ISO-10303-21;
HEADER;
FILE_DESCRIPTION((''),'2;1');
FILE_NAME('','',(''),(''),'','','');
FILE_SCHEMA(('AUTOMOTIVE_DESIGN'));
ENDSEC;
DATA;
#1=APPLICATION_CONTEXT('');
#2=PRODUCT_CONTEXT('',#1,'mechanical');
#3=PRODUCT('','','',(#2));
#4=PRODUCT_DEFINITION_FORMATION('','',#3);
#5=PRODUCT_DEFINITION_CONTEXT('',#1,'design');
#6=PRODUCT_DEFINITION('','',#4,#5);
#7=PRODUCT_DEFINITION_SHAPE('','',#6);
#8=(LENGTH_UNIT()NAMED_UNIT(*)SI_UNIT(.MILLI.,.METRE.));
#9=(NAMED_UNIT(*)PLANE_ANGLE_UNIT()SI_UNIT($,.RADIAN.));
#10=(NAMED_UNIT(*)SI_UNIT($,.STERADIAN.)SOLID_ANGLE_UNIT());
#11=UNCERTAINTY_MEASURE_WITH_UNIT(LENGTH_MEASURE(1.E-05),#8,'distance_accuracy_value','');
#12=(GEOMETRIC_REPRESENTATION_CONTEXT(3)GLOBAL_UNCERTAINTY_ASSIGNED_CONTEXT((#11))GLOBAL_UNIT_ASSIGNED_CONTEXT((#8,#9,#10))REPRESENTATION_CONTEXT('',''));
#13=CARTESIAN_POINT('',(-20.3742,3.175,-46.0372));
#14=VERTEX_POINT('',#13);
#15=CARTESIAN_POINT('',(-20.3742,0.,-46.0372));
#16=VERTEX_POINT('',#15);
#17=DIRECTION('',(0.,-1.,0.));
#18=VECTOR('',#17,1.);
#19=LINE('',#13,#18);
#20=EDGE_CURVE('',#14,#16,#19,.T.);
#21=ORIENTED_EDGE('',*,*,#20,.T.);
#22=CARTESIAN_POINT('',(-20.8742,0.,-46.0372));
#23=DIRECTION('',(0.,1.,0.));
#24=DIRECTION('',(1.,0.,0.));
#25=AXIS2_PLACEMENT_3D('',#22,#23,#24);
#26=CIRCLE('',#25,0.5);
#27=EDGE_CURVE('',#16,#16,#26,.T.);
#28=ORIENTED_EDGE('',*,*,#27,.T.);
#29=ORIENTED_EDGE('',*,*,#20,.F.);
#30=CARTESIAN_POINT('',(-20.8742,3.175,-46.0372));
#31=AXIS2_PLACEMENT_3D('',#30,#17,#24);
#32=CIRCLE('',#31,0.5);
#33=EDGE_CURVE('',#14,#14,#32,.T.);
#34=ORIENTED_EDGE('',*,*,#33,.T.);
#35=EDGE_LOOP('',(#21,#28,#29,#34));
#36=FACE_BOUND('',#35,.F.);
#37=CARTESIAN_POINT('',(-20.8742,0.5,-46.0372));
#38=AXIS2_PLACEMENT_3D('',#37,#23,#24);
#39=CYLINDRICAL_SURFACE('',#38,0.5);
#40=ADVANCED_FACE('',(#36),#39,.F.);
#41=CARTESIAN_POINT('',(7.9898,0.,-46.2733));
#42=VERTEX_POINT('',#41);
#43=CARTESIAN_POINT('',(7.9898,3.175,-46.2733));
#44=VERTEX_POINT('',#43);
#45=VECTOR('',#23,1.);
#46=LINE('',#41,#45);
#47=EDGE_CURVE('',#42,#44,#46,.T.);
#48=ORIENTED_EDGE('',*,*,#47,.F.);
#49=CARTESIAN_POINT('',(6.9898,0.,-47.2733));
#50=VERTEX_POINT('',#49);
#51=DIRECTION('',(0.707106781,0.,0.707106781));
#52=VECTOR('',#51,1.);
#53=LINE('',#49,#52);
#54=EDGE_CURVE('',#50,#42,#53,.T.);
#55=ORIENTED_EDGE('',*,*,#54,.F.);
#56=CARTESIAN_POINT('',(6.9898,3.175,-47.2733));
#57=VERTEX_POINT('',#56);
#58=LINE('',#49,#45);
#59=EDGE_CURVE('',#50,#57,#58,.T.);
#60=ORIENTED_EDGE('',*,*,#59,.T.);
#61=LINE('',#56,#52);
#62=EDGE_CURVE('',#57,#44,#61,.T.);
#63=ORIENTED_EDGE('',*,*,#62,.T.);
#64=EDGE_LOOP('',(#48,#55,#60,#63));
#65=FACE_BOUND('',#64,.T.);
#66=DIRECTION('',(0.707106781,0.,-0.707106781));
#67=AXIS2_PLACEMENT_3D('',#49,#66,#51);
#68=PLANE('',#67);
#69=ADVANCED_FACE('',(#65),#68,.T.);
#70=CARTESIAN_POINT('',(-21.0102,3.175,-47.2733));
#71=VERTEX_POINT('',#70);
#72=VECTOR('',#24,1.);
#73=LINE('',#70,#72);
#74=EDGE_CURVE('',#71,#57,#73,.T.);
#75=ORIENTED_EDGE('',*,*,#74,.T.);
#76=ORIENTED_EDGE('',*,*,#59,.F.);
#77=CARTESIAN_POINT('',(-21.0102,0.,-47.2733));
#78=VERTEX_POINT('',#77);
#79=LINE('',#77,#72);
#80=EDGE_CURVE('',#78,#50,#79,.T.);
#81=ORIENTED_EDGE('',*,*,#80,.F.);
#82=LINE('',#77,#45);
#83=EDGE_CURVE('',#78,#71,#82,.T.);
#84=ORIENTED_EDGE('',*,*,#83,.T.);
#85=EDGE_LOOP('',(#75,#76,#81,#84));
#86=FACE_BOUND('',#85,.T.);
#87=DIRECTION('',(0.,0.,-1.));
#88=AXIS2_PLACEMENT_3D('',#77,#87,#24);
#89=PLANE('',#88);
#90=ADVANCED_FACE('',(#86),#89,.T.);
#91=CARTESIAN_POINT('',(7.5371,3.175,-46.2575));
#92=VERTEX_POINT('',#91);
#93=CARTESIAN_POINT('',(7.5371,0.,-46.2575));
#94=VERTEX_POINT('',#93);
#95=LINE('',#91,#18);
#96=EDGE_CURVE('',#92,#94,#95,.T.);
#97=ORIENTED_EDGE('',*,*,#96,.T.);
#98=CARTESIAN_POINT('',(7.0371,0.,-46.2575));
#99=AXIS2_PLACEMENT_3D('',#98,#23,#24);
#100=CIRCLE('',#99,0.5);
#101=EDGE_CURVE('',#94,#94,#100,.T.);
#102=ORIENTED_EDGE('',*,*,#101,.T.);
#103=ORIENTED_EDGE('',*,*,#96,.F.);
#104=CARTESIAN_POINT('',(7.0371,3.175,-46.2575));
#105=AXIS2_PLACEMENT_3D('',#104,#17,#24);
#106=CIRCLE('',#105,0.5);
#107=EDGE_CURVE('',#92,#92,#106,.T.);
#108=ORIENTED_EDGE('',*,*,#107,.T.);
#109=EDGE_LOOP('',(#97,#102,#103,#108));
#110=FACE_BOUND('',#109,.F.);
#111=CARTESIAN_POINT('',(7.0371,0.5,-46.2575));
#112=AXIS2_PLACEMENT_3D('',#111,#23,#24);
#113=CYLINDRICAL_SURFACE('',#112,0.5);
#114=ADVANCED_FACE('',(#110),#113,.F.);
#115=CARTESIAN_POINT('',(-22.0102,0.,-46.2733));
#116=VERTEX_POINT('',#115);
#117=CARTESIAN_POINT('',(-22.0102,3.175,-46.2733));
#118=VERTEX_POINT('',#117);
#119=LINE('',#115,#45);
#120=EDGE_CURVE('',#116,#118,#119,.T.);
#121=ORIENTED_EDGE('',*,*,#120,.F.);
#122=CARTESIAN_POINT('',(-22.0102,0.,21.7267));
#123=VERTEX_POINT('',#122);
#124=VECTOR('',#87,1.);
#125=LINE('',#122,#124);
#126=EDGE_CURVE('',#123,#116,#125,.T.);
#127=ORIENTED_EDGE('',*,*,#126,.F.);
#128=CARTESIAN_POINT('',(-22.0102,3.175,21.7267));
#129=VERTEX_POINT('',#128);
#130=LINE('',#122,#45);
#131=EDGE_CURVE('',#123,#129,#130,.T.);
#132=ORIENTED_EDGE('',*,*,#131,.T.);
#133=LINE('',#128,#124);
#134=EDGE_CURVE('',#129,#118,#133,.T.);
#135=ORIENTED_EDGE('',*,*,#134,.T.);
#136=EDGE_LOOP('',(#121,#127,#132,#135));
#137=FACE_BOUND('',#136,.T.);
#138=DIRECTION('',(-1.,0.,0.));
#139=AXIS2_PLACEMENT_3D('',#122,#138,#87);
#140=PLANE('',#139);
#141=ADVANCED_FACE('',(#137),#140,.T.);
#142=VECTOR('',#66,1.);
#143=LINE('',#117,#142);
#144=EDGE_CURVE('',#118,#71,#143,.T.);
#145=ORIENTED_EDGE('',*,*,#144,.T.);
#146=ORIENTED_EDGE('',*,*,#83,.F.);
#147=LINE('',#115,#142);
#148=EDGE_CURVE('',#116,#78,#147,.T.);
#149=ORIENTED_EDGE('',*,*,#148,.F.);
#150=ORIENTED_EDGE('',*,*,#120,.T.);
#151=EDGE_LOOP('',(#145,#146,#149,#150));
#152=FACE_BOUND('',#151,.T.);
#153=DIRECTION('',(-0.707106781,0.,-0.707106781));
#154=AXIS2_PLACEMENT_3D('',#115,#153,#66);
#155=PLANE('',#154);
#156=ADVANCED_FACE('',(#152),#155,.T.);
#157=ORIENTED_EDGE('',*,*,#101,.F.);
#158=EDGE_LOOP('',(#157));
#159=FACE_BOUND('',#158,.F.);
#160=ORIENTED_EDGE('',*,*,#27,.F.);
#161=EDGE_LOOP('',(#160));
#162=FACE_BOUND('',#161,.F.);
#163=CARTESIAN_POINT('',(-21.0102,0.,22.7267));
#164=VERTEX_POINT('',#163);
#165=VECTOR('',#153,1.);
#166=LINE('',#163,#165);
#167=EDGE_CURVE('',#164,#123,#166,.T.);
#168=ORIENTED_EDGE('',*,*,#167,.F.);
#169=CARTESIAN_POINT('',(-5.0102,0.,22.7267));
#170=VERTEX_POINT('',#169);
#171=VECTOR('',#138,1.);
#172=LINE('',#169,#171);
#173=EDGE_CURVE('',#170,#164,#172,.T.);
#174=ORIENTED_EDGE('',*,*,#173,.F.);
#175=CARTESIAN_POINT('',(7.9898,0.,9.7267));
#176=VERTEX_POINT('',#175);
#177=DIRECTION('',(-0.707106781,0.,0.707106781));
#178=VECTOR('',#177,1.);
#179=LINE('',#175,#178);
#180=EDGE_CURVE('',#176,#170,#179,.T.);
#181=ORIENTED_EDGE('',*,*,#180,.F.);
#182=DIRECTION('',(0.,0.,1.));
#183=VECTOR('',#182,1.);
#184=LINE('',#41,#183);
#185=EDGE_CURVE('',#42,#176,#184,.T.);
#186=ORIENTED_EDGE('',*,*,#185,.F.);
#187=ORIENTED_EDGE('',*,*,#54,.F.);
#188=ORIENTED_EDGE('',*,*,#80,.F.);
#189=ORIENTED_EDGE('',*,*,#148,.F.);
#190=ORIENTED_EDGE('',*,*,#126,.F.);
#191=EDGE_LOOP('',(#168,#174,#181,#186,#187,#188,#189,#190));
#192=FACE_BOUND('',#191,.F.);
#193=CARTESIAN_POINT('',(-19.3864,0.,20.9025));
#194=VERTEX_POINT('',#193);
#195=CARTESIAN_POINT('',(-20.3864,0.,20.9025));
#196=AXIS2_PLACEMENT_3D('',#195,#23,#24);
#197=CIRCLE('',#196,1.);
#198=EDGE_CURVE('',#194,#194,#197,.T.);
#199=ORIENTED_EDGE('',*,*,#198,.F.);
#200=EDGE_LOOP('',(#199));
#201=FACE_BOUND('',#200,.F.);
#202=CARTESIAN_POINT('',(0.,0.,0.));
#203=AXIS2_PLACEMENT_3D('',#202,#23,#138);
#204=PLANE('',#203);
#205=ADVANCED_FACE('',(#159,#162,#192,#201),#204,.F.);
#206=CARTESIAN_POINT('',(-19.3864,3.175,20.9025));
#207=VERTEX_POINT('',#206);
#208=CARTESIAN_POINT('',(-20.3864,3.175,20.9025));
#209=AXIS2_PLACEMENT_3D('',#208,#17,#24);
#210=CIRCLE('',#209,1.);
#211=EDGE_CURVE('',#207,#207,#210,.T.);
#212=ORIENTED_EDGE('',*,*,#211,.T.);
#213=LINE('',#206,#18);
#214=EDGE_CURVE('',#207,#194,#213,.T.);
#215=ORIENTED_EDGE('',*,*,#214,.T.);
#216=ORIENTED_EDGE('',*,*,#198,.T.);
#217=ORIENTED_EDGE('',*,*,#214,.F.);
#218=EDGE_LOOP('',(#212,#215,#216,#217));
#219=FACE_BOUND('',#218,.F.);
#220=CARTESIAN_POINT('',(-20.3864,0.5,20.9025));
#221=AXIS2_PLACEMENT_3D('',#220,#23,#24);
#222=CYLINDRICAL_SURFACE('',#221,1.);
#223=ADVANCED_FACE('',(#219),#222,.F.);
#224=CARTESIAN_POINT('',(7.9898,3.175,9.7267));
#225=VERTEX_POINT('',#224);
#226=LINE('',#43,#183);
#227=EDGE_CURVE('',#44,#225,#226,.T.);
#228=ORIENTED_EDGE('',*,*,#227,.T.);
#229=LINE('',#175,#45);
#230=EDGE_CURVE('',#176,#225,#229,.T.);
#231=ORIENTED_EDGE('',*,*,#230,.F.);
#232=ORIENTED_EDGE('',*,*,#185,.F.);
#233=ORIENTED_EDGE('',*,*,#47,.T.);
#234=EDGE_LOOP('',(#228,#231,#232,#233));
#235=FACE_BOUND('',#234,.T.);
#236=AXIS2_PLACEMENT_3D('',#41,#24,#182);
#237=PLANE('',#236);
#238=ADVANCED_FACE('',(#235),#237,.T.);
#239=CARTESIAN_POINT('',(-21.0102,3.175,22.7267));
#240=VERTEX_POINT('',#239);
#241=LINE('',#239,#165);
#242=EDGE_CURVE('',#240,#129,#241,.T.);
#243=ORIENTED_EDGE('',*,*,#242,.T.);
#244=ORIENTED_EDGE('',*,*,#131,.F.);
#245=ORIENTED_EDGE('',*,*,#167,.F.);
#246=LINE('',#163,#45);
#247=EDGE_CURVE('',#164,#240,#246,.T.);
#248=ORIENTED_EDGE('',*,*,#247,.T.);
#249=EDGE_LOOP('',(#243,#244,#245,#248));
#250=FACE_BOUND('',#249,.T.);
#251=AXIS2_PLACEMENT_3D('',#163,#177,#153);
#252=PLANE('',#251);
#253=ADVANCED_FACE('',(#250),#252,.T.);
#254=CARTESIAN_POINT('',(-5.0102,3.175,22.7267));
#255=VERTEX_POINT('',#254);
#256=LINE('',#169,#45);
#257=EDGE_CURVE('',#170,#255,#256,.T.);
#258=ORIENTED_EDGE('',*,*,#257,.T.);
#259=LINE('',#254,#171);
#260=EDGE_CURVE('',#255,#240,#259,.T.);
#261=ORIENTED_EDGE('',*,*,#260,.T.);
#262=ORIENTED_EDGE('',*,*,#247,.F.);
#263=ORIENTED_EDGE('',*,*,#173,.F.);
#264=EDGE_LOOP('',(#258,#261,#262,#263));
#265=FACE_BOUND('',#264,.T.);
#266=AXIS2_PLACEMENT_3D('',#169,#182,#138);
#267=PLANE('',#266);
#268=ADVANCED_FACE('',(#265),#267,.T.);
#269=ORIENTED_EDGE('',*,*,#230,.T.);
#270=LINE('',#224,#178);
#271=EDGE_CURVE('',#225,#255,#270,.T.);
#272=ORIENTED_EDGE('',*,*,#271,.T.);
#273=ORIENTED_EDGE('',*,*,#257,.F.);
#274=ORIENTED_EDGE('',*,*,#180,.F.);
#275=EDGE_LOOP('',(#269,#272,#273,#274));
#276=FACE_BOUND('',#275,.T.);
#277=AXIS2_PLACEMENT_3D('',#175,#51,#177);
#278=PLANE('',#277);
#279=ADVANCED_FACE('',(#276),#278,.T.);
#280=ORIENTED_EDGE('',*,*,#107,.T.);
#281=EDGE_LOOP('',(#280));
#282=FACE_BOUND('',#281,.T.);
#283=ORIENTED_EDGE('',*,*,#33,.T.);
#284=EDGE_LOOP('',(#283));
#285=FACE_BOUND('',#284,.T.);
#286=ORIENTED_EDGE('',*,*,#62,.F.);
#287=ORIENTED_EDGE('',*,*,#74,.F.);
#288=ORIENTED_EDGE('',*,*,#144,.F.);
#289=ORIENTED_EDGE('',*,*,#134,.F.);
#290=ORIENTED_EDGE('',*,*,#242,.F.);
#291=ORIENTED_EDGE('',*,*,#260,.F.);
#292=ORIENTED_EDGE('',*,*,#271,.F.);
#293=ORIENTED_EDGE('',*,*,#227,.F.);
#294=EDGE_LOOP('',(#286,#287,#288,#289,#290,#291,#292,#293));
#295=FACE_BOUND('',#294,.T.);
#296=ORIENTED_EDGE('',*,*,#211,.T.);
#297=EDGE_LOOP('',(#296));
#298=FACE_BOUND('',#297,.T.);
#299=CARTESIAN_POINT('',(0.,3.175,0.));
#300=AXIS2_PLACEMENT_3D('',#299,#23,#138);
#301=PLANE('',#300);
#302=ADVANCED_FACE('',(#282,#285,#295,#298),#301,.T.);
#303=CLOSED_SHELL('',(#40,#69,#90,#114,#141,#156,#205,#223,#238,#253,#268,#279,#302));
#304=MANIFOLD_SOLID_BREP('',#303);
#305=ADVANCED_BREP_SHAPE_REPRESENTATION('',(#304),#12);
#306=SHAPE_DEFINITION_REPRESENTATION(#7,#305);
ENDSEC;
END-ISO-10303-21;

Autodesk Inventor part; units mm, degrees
ref_plane "YZ Plane" through (0, 0, 0) normal (1, 0, 0) x (0, 1, 0)
ref_plane "XZ Plane" through (0, 0, 0) normal (0, 1, 0) x (-1, 0, 0)
sketch "Sketch1" plane through (0, 0, 0) normal (0, 1, 0) x (-1, 0, 0)
  line L0 (21.5102, 17.7267) -> (21.5102, -43.9733)
  line L1 (21.5102, -43.9733) -> (19.1102, -46.7733)
  line L2 (19.1102, -46.7733) -> (-5.4898, -46.7733)
  line L3 (-5.4898, -46.7733) -> (-7.4898, -44.7733)
  line L4 (-7.4898, -44.7733) -> (-7.4898, 9.2267)
  line L5 (-7.4898, 9.2267) -> (5.5102, 22.2267)
  line L6 (5.5102, 22.2267) -> (17.0102, 22.2267)
  line L7 (17.0102, 22.2267) -> (21.5102, 17.7267)
  line L8 (22.0102, 21.7267) -> (22.0102, -46.2733)
  line L9 (22.0102, -46.2733) -> (21.0102, -47.2733)
  line L10 (21.0102, -47.2733) -> (-6.9898, -47.2733)
  line L11 (-6.9898, -47.2733) -> (-7.9898, -46.2733)
  line L12 (-7.9898, -46.2733) -> (-7.9898, 9.7267)
  line L13 (-7.9898, 9.7267) -> (5.0102, 22.7267)
  line L14 (5.0102, 22.7267) -> (21.0102, 22.7267)
  line L15 (21.0102, 22.7267) -> (22.0102, 21.7267)
  point P0 (0, 0)
  point P1 (14.1019, -14.4492)
  dimension "d0" = 69
  dimension "d1" = 29
  dimension "d2" = 2
  dimension "d3" = 2
  dimension "d4" = 2.8
  dimension "d5" = 2.4
  dimension "d6" = 4.5
  dimension "d7" = 4.5
  dimension "d8" = 13
  dimension "d9" = 13
  dimension "d10" = 70
  dimension "d11" = 30
  dimension "d12" = 1
  dimension "d13" = 1
  dimension "d14" = 1
  dimension "d15" = 1
  dimension "d16" = 1
  dimension "d17" = 1
  dimension "d18" = 13
  dimension "d19" = 13
  dimension "d34" = 0.5
  dimension "d35" = 0.5
extrude "Extrusion1" add sketch "Sketch1" along normal blind 3.175 contours L0 L1 L2 L3 L4 L5 L6 L7 | L8 L9 L10 L11 L12 L13 L14 L15
ref_plane "Work Plane3" through (0, 0.5, 0) normal (0, 1, 0) x (1, 0, 0)
sketch "Sketch5" plane through (0, 0.5, 0) normal (0, 1, 0) x (1, 0, 0)
  circle A0 centre (-20.3864, -20.9025) radius 1
  circle A1 centre (-20.8742, 46.0372) radius 0.5
  circle A2 centre (7.0371, 46.2575) radius 0.5
  point P0 (0, 0)
  dimension "d55" = 2
  dimension "d56" = 1
  dimension "d57" = 1
extrude "Extrusion6" cut sketch "Sketch5" along normal blind 3.175 and the other way blind 1.6002
equation "\"d9\" = d8"
equation "\"d19\" = d18"
properties part number "Top"
